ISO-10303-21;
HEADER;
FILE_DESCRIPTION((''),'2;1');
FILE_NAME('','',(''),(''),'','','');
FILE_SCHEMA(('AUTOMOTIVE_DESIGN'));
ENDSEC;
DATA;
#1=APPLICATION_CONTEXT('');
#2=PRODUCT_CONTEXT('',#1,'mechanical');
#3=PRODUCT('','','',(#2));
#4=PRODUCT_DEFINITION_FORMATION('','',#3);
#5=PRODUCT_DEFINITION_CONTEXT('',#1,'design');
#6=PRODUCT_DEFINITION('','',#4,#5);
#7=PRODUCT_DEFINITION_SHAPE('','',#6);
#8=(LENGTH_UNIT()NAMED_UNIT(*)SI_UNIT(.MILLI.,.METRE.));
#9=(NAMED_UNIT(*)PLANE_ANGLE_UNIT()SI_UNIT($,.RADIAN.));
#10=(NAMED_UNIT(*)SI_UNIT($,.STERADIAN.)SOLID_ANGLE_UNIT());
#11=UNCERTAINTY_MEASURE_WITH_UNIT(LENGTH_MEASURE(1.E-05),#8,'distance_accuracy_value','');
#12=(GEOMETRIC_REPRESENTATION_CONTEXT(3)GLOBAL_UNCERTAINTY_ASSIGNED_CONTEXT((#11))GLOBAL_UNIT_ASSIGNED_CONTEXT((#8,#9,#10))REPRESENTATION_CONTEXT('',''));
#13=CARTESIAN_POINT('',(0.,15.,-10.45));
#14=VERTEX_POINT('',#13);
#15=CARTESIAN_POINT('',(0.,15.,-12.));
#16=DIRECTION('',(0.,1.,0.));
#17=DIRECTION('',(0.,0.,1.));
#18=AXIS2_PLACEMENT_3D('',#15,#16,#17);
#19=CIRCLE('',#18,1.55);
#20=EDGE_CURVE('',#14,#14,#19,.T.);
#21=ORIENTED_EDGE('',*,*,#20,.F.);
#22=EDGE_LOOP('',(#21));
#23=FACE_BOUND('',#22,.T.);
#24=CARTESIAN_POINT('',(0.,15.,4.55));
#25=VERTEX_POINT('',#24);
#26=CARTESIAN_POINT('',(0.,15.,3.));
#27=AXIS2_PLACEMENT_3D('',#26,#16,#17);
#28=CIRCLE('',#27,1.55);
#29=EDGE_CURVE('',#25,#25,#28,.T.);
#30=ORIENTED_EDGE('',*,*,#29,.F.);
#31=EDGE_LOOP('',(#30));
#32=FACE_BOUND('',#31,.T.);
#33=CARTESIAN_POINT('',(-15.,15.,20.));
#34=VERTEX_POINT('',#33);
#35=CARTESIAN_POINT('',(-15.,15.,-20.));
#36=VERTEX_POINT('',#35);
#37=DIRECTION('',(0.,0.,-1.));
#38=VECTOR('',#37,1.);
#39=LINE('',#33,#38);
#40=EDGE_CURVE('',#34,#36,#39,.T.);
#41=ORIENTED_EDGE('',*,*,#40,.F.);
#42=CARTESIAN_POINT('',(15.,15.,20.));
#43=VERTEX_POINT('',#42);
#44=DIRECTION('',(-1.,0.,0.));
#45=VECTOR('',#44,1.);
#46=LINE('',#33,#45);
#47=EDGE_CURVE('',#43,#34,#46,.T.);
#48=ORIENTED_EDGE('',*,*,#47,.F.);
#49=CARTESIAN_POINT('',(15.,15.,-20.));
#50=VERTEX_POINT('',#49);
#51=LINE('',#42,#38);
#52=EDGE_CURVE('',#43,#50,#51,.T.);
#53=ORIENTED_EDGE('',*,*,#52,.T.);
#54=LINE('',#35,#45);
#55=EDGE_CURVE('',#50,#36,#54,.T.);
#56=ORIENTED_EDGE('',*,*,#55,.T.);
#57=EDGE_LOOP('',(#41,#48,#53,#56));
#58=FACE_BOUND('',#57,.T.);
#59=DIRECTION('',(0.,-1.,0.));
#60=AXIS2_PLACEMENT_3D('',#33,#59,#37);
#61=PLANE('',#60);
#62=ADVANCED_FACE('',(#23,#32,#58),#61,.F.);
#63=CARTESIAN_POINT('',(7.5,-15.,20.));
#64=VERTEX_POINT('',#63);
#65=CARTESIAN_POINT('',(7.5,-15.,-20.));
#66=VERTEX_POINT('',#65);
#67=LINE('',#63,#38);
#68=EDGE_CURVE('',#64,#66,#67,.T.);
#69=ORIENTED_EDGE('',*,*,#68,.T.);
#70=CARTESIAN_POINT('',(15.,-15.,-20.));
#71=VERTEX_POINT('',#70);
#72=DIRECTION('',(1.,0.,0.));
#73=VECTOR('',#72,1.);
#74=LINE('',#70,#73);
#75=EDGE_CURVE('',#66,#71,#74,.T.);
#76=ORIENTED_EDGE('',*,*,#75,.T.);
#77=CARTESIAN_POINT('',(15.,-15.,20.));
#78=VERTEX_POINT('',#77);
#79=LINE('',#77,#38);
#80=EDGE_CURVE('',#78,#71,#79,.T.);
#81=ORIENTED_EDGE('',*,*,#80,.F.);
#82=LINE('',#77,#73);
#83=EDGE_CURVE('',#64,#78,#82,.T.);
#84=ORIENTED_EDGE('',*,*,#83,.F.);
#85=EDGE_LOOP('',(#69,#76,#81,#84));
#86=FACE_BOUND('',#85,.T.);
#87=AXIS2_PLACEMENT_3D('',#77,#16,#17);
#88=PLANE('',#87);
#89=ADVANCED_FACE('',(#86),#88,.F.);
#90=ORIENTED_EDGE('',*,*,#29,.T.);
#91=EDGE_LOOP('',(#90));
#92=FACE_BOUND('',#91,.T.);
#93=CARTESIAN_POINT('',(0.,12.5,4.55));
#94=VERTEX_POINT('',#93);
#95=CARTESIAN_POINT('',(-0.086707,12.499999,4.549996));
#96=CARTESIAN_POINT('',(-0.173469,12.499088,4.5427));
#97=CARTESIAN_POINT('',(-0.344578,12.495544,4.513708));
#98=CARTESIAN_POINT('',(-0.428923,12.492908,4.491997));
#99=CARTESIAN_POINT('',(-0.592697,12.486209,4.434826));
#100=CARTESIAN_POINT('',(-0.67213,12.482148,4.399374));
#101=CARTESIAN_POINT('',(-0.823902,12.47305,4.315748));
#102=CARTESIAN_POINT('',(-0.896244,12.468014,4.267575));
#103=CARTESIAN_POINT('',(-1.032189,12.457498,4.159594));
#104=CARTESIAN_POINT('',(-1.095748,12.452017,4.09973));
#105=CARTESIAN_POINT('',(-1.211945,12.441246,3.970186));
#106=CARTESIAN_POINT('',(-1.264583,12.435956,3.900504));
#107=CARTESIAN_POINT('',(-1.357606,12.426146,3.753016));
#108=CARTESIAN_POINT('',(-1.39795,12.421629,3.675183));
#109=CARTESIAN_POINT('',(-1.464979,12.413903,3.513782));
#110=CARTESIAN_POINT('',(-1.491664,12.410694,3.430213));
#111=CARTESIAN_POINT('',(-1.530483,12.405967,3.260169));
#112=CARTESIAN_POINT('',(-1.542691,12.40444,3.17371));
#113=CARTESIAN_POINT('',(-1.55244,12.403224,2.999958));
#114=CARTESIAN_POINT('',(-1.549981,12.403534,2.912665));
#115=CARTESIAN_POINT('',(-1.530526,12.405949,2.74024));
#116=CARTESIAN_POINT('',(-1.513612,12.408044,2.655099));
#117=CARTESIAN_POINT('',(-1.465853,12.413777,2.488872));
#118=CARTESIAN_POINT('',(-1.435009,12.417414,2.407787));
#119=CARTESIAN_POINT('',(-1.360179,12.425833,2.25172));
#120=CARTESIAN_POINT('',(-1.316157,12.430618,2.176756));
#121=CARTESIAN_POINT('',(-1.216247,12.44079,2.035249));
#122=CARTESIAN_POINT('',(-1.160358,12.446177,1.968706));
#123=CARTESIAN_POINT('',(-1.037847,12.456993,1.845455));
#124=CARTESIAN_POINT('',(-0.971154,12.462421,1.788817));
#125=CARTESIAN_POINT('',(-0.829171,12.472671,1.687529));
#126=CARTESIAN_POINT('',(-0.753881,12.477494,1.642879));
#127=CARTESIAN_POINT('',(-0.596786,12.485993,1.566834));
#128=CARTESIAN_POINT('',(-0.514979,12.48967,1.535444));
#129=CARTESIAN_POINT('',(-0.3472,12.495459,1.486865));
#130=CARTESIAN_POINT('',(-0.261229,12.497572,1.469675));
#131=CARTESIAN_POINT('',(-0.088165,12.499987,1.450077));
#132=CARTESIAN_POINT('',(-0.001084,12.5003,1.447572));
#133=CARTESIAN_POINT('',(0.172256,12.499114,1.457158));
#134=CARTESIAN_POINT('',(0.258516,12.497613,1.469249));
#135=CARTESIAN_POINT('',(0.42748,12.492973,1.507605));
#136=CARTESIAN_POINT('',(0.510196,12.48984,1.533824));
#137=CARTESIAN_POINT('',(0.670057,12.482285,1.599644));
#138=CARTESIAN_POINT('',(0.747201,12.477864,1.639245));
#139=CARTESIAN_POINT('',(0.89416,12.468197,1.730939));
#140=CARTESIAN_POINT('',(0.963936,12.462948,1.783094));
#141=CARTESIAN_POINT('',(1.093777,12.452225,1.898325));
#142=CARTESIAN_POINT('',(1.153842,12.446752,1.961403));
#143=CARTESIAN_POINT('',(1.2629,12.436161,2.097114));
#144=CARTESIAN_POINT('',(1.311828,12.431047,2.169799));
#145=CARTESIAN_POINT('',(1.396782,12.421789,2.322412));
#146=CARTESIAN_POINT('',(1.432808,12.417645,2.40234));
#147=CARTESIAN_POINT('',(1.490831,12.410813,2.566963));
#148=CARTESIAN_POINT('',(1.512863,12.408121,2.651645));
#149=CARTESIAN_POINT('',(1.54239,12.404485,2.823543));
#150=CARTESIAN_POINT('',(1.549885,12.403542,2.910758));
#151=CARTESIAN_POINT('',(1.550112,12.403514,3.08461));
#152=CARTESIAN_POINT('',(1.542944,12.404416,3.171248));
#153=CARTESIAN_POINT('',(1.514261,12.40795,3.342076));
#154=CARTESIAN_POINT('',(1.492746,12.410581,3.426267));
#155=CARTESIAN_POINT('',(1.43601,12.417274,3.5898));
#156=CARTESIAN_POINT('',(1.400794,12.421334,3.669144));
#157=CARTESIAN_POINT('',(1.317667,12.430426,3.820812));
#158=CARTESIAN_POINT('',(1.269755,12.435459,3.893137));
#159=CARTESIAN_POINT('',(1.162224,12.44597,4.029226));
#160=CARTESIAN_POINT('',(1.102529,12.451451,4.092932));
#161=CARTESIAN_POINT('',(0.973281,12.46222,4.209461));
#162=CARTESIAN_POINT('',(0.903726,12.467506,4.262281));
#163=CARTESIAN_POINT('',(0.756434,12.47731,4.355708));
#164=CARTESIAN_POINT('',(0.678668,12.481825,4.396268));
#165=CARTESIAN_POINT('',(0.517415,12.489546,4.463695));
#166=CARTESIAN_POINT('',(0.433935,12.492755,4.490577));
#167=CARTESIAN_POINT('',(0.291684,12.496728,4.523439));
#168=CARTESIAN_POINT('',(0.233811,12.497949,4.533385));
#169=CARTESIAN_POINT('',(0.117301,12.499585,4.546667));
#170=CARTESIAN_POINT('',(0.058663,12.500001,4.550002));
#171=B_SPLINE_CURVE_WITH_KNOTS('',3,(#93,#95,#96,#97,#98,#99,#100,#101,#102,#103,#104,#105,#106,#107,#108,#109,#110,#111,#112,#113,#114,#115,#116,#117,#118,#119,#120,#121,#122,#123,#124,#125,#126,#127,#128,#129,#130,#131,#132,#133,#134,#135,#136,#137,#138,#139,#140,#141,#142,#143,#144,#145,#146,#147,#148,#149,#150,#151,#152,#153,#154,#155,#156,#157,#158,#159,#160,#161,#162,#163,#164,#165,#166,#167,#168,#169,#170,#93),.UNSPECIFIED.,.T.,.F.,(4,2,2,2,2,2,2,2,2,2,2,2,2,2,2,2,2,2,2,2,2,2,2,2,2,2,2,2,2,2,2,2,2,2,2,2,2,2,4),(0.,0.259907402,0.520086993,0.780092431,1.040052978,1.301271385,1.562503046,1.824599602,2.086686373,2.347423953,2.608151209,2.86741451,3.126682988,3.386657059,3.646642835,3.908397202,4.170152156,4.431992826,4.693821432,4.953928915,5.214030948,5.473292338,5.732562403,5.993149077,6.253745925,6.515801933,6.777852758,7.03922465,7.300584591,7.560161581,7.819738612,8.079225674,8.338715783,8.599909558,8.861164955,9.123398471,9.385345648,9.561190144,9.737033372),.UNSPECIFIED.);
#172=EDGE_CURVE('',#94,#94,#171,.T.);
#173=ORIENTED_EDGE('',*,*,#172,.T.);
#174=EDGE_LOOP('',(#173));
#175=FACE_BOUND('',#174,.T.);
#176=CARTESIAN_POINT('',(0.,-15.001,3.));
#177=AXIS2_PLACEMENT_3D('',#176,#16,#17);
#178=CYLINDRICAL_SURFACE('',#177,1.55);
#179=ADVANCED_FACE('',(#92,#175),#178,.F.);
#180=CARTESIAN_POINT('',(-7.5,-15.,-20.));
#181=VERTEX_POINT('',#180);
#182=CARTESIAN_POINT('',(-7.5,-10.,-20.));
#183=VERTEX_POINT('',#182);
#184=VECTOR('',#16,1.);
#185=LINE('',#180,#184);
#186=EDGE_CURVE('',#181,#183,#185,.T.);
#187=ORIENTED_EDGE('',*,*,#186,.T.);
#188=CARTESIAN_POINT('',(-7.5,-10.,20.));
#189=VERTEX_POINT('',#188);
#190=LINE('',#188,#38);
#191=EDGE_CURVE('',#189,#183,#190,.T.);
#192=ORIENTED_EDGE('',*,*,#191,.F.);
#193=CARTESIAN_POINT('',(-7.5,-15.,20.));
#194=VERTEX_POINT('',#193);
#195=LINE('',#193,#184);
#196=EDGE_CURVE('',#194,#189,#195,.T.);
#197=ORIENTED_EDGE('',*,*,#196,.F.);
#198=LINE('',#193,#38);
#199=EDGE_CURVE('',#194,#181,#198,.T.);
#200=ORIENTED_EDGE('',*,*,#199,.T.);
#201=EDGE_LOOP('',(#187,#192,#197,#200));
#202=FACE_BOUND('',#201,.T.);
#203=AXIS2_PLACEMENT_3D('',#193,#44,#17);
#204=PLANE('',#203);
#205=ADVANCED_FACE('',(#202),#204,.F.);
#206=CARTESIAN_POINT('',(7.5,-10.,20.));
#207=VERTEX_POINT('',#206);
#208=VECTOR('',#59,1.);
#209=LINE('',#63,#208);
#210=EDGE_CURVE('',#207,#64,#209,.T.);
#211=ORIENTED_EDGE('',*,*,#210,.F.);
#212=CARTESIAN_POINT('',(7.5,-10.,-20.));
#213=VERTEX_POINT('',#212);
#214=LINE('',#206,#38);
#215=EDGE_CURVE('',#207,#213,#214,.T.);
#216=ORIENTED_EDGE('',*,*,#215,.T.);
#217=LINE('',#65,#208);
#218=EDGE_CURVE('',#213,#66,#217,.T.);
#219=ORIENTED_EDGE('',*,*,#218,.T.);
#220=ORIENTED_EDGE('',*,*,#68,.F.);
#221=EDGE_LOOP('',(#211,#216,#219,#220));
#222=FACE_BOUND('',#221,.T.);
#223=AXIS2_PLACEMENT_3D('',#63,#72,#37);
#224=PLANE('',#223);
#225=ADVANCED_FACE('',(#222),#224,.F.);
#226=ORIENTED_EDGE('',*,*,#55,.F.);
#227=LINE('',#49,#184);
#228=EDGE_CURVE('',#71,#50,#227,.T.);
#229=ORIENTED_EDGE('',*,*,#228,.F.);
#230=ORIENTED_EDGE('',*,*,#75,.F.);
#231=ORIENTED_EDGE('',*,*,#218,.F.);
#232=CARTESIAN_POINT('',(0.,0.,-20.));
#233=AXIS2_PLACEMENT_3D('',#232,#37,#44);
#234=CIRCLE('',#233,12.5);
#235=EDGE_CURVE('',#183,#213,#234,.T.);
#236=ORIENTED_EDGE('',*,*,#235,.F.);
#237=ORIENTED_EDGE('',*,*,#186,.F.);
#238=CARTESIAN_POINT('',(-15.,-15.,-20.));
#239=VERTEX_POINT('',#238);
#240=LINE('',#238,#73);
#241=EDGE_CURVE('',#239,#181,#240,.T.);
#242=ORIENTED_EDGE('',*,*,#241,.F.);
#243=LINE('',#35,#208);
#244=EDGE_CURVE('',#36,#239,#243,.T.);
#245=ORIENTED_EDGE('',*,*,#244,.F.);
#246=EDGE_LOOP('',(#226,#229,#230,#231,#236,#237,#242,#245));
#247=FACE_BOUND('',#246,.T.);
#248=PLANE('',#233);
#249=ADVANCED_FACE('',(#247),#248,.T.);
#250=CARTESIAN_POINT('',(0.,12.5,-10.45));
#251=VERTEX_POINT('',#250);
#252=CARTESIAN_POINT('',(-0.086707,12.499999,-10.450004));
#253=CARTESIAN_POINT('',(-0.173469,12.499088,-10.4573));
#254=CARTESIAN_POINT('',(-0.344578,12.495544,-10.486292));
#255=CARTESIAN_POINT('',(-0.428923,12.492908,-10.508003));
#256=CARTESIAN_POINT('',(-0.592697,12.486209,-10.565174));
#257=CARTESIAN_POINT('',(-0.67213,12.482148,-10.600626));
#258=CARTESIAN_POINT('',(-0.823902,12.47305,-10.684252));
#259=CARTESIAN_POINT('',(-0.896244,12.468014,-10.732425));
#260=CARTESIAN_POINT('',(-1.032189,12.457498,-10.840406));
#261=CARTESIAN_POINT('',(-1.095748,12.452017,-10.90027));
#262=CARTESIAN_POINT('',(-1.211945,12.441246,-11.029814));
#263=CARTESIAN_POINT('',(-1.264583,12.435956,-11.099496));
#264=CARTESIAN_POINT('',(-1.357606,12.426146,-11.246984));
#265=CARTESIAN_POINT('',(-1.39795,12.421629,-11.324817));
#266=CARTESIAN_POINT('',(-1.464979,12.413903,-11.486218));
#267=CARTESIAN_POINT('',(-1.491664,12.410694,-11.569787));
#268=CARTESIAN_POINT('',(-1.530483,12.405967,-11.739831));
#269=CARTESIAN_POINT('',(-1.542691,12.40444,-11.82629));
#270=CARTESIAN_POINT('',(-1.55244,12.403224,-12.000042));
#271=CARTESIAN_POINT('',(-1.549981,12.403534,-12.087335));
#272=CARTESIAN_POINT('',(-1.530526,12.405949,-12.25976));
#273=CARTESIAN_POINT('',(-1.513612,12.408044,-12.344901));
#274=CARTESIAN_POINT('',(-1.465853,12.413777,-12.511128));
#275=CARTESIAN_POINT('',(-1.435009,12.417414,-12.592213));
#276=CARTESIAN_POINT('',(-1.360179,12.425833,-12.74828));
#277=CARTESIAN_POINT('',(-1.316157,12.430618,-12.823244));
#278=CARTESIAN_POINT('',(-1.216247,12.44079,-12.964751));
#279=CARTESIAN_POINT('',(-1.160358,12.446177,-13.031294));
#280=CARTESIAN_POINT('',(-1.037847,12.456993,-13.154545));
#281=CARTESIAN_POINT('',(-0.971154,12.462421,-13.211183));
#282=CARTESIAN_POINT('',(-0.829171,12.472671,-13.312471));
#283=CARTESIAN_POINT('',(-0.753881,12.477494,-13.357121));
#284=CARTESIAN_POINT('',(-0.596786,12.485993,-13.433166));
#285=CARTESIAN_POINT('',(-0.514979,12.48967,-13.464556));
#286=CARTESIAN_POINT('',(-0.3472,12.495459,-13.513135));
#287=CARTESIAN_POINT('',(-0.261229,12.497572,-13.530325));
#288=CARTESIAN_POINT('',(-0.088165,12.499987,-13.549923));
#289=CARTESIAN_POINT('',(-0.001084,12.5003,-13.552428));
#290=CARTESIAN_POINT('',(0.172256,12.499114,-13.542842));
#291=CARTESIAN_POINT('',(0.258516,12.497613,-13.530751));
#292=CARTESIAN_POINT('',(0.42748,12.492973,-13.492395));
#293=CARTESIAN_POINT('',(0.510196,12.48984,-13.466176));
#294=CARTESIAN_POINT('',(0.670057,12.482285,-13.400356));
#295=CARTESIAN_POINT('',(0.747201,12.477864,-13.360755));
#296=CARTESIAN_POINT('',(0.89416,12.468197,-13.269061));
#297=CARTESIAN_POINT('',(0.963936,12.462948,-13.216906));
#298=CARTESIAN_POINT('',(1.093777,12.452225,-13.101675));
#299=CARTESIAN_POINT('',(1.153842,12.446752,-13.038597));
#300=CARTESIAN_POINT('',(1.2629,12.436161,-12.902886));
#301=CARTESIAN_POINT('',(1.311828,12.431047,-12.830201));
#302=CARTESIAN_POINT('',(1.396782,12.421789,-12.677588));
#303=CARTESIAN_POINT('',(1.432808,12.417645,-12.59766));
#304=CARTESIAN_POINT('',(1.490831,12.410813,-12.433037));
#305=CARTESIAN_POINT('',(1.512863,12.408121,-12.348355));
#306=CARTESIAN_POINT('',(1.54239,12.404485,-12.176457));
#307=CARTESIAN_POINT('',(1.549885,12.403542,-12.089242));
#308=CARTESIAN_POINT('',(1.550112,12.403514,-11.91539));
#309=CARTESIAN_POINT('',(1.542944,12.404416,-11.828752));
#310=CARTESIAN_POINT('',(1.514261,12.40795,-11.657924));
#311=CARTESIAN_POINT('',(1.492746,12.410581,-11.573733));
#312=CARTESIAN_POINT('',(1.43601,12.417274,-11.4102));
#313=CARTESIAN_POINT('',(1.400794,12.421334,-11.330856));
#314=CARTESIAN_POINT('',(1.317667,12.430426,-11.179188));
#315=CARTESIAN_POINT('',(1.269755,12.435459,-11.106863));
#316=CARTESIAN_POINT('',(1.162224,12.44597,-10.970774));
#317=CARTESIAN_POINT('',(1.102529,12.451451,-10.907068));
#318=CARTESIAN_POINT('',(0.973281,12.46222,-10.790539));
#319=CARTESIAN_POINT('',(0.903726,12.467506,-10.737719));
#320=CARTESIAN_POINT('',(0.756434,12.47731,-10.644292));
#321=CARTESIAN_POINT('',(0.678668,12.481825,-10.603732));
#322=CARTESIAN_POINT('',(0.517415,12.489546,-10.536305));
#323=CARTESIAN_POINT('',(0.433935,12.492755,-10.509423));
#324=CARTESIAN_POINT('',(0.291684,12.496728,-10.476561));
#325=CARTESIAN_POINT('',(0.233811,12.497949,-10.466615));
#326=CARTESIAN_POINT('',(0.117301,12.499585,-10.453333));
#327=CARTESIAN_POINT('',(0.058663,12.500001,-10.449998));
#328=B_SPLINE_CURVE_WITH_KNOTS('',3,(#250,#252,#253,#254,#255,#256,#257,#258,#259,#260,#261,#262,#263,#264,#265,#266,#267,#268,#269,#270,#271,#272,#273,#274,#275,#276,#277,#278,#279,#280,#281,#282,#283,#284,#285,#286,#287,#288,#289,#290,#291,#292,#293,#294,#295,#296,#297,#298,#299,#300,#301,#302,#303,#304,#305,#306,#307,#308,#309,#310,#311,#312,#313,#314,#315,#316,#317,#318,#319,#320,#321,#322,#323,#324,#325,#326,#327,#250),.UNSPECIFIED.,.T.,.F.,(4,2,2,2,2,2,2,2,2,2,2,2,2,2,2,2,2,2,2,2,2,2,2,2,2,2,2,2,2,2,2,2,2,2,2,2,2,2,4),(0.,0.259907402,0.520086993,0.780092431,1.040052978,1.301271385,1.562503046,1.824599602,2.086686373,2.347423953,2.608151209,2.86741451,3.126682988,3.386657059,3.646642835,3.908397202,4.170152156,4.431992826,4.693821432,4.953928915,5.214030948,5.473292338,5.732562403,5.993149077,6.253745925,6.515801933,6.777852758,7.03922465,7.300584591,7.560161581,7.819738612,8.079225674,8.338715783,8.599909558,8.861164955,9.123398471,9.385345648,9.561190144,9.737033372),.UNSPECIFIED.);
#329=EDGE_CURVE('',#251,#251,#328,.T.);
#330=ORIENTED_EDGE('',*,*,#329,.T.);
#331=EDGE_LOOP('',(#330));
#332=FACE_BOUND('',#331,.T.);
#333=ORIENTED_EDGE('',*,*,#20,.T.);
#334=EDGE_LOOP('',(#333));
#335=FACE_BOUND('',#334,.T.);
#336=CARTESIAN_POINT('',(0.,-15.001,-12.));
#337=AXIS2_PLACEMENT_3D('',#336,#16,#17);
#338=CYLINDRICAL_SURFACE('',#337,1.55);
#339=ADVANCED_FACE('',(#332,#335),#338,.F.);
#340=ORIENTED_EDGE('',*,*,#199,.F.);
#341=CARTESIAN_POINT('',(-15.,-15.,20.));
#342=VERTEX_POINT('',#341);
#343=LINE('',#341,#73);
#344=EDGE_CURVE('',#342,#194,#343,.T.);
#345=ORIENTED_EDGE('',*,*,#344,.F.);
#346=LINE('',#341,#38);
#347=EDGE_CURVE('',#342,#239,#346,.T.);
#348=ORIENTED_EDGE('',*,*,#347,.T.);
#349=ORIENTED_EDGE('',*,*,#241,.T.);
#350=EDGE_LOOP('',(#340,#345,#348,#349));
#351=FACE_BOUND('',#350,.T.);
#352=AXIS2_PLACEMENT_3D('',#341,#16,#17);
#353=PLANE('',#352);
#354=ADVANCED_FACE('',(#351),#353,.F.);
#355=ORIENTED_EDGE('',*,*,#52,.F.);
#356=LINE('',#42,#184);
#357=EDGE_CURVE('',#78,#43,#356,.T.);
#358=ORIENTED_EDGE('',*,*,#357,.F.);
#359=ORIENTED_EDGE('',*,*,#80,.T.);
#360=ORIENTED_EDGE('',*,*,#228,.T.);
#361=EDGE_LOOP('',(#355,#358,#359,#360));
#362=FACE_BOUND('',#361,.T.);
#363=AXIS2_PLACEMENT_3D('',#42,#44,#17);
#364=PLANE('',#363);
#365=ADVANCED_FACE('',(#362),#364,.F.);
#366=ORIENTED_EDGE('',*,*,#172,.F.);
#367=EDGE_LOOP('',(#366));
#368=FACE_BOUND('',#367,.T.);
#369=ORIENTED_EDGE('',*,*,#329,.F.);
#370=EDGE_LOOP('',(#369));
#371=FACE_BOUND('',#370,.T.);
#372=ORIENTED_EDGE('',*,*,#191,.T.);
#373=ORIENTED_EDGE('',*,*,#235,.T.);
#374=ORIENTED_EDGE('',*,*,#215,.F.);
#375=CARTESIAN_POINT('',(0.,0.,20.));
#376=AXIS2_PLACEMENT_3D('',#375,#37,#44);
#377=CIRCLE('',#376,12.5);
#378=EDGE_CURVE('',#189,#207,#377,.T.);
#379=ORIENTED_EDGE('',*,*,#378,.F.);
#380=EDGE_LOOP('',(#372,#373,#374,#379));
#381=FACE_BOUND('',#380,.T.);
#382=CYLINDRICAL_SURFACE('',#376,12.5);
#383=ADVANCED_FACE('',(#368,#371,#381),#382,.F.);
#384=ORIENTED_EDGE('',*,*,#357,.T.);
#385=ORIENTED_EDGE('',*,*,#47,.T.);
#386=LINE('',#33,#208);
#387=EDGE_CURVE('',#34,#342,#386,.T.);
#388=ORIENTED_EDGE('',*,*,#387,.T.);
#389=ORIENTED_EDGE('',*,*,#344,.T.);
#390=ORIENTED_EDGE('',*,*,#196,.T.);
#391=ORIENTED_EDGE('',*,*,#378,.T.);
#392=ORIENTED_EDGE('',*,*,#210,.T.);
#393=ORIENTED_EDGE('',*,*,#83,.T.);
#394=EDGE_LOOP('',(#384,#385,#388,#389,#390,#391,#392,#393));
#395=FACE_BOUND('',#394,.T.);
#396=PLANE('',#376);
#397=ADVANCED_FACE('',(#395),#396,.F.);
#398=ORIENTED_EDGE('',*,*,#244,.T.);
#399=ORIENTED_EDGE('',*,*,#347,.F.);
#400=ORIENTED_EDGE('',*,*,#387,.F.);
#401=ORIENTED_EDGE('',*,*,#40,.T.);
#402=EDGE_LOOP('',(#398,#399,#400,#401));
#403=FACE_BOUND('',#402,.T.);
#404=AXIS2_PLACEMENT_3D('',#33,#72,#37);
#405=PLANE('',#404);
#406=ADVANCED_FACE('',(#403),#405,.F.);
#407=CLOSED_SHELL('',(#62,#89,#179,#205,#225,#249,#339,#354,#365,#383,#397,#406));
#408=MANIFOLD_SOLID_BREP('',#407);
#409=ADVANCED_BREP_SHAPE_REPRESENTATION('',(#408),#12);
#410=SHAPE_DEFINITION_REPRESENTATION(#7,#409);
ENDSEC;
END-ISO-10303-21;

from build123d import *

# Parameters (mm, degrees)
BOSS_EXTRUDE1_DEPTH     = 20
CUT_EXTRUDE1_REACH      = 41.051
CUT_EXTRUDE1_END_RADIUS = 12.5
SKETCH2_R               = 1.55


with BuildPart() as part:
    # Sketch1 → Boss-Extrude1 (new, symmetric)
    with BuildSketch(Plane.XY):
        with BuildLine():
            Line((-15, 15), (15, 15))
            Line((15, 15), (15, -15))
            Line((15, -15), (7.5, -15))
            Line((7.5, -15), (7.5, -10))
            ThreePointArc((7.5, -10), (0, 12.5), (-7.5, -10))
            Line((-7.5, -10), (-7.5, -15))
            Line((-7.5, -15), (-15, -15))
            Line((-15, -15), (-15, 15))
        make_face()
    extrude(amount=BOSS_EXTRUDE1_DEPTH, both=True)

    # Cut-Extrude1: up to this cylinder (the profile starts outside it)
    cut_extrude1_end = Plane(origin=(0, 0, -4.5), z_dir=(0, 0, -1)) * Cylinder(CUT_EXTRUDE1_END_RADIUS, 123.102, mode=Mode.PRIVATE)
    # Sketch2 → Cut-Extrude1 (cut, up to the surface)
    with BuildSketch(Plane(origin=(0, 15, 0), x_dir=(1, 0, 0), z_dir=(0, 1, 0)), mode=Mode.PRIVATE) as cut_extrude1_sk1:
        with Locations(Location((0, 12, 0), (0, 0, 270))):
            Circle(SKETCH2_R)
    cut_extrude1_tool1 = extrude(cut_extrude1_sk1.sketch, amount=-CUT_EXTRUDE1_REACH, mode=Mode.PRIVATE) - cut_extrude1_end
    add(cut_extrude1_tool1.solids().sort_by_distance((0, 15, -12))[0], mode=Mode.SUBTRACT)
    # Sketch2 → Cut-Extrude1 (cut, up to the surface)
    with BuildSketch(Plane(origin=(0, 15, 0), x_dir=(1, 0, 0), z_dir=(0, 1, 0)), mode=Mode.PRIVATE) as cut_extrude1_sk2:
        with Locations(Location((0, -3, 0), (0, 0, 270))):
            Circle(SKETCH2_R)
    cut_extrude1_tool2 = extrude(cut_extrude1_sk2.sketch, amount=-CUT_EXTRUDE1_REACH, mode=Mode.PRIVATE) - cut_extrude1_end
    add(cut_extrude1_tool2.solids().sort_by_distance((0, 15, 3))[0], mode=Mode.SUBTRACT)


solid = part.part
